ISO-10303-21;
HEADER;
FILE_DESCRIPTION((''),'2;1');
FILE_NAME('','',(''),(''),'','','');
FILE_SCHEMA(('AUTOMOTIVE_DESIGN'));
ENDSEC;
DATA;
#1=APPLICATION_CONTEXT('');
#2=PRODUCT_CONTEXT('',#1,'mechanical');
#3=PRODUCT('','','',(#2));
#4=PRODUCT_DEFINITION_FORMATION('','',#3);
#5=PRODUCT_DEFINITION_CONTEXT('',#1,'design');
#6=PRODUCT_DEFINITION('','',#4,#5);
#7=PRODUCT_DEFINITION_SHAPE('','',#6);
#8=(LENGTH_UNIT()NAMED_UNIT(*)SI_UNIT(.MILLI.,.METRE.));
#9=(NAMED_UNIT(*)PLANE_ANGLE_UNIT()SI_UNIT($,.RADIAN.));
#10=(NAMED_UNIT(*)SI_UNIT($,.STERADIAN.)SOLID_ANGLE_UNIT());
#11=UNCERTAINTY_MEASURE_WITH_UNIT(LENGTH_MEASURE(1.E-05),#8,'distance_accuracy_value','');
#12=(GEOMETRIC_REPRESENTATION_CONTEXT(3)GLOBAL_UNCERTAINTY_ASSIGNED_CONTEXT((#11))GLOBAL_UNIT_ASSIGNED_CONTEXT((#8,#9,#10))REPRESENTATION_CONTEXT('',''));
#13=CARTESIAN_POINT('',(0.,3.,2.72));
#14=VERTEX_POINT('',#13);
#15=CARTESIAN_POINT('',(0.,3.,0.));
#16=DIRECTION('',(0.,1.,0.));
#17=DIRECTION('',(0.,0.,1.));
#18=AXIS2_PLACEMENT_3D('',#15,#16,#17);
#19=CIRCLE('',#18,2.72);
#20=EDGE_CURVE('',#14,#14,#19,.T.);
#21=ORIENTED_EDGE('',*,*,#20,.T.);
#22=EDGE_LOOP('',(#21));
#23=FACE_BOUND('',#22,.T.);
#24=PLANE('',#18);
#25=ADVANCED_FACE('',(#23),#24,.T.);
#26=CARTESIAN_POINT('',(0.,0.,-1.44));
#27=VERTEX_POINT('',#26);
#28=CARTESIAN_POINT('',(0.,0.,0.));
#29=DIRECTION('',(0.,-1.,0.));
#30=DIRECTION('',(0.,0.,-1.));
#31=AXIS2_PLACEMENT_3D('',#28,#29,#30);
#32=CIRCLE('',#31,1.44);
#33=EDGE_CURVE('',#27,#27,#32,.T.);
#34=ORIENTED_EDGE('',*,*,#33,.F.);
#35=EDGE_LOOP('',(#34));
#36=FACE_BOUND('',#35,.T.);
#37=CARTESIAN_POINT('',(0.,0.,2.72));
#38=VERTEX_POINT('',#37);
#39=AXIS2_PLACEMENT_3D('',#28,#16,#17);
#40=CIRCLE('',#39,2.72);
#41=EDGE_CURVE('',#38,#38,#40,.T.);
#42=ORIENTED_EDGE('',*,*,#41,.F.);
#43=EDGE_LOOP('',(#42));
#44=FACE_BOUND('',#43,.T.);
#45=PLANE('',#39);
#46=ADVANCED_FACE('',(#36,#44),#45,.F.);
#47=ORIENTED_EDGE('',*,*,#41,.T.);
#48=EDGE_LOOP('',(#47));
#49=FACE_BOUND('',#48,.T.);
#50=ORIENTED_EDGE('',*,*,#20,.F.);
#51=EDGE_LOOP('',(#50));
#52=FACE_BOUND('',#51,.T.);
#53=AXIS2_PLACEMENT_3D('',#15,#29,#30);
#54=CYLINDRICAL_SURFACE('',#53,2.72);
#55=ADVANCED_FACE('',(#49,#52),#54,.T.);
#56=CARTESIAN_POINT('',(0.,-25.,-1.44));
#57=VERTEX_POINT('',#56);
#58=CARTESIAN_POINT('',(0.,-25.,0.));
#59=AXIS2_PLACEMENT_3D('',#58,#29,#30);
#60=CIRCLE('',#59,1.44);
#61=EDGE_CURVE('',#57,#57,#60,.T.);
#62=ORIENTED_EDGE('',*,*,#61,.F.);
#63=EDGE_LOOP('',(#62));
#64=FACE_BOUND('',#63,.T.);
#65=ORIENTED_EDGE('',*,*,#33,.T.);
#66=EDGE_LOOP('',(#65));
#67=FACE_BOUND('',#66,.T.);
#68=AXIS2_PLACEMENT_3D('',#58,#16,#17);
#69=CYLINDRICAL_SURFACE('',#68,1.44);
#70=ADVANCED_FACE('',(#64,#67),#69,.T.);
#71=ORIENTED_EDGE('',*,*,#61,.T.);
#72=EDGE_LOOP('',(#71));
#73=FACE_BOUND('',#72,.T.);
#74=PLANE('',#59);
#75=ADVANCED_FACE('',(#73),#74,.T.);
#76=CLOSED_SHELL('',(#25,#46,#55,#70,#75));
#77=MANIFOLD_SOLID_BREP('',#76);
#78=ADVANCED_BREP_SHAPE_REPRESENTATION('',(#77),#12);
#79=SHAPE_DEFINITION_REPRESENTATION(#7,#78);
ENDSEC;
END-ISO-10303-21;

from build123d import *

# Parameters (mm, degrees)
SKETCH1_R           = 2.72
BOSS_EXTRUDE1_DEPTH = 3
SKETCH2_R           = 1.44
BOSS_EXTRUDE2_DEPTH = 25


with BuildPart() as part:
    # Sketch1 → Boss-Extrude1 (new body)
    with BuildSketch(Plane(origin=(0, 0, 0), x_dir=(1, 0, 0), z_dir=(0, 1, 0))):
        Circle(SKETCH1_R)
    extrude(amount=BOSS_EXTRUDE1_DEPTH)

    # Sketch2 → Boss-Extrude2 (add)
    with BuildSketch(Plane.XZ):
        Circle(SKETCH2_R)
    extrude(amount=BOSS_EXTRUDE2_DEPTH)


solid = part.part
